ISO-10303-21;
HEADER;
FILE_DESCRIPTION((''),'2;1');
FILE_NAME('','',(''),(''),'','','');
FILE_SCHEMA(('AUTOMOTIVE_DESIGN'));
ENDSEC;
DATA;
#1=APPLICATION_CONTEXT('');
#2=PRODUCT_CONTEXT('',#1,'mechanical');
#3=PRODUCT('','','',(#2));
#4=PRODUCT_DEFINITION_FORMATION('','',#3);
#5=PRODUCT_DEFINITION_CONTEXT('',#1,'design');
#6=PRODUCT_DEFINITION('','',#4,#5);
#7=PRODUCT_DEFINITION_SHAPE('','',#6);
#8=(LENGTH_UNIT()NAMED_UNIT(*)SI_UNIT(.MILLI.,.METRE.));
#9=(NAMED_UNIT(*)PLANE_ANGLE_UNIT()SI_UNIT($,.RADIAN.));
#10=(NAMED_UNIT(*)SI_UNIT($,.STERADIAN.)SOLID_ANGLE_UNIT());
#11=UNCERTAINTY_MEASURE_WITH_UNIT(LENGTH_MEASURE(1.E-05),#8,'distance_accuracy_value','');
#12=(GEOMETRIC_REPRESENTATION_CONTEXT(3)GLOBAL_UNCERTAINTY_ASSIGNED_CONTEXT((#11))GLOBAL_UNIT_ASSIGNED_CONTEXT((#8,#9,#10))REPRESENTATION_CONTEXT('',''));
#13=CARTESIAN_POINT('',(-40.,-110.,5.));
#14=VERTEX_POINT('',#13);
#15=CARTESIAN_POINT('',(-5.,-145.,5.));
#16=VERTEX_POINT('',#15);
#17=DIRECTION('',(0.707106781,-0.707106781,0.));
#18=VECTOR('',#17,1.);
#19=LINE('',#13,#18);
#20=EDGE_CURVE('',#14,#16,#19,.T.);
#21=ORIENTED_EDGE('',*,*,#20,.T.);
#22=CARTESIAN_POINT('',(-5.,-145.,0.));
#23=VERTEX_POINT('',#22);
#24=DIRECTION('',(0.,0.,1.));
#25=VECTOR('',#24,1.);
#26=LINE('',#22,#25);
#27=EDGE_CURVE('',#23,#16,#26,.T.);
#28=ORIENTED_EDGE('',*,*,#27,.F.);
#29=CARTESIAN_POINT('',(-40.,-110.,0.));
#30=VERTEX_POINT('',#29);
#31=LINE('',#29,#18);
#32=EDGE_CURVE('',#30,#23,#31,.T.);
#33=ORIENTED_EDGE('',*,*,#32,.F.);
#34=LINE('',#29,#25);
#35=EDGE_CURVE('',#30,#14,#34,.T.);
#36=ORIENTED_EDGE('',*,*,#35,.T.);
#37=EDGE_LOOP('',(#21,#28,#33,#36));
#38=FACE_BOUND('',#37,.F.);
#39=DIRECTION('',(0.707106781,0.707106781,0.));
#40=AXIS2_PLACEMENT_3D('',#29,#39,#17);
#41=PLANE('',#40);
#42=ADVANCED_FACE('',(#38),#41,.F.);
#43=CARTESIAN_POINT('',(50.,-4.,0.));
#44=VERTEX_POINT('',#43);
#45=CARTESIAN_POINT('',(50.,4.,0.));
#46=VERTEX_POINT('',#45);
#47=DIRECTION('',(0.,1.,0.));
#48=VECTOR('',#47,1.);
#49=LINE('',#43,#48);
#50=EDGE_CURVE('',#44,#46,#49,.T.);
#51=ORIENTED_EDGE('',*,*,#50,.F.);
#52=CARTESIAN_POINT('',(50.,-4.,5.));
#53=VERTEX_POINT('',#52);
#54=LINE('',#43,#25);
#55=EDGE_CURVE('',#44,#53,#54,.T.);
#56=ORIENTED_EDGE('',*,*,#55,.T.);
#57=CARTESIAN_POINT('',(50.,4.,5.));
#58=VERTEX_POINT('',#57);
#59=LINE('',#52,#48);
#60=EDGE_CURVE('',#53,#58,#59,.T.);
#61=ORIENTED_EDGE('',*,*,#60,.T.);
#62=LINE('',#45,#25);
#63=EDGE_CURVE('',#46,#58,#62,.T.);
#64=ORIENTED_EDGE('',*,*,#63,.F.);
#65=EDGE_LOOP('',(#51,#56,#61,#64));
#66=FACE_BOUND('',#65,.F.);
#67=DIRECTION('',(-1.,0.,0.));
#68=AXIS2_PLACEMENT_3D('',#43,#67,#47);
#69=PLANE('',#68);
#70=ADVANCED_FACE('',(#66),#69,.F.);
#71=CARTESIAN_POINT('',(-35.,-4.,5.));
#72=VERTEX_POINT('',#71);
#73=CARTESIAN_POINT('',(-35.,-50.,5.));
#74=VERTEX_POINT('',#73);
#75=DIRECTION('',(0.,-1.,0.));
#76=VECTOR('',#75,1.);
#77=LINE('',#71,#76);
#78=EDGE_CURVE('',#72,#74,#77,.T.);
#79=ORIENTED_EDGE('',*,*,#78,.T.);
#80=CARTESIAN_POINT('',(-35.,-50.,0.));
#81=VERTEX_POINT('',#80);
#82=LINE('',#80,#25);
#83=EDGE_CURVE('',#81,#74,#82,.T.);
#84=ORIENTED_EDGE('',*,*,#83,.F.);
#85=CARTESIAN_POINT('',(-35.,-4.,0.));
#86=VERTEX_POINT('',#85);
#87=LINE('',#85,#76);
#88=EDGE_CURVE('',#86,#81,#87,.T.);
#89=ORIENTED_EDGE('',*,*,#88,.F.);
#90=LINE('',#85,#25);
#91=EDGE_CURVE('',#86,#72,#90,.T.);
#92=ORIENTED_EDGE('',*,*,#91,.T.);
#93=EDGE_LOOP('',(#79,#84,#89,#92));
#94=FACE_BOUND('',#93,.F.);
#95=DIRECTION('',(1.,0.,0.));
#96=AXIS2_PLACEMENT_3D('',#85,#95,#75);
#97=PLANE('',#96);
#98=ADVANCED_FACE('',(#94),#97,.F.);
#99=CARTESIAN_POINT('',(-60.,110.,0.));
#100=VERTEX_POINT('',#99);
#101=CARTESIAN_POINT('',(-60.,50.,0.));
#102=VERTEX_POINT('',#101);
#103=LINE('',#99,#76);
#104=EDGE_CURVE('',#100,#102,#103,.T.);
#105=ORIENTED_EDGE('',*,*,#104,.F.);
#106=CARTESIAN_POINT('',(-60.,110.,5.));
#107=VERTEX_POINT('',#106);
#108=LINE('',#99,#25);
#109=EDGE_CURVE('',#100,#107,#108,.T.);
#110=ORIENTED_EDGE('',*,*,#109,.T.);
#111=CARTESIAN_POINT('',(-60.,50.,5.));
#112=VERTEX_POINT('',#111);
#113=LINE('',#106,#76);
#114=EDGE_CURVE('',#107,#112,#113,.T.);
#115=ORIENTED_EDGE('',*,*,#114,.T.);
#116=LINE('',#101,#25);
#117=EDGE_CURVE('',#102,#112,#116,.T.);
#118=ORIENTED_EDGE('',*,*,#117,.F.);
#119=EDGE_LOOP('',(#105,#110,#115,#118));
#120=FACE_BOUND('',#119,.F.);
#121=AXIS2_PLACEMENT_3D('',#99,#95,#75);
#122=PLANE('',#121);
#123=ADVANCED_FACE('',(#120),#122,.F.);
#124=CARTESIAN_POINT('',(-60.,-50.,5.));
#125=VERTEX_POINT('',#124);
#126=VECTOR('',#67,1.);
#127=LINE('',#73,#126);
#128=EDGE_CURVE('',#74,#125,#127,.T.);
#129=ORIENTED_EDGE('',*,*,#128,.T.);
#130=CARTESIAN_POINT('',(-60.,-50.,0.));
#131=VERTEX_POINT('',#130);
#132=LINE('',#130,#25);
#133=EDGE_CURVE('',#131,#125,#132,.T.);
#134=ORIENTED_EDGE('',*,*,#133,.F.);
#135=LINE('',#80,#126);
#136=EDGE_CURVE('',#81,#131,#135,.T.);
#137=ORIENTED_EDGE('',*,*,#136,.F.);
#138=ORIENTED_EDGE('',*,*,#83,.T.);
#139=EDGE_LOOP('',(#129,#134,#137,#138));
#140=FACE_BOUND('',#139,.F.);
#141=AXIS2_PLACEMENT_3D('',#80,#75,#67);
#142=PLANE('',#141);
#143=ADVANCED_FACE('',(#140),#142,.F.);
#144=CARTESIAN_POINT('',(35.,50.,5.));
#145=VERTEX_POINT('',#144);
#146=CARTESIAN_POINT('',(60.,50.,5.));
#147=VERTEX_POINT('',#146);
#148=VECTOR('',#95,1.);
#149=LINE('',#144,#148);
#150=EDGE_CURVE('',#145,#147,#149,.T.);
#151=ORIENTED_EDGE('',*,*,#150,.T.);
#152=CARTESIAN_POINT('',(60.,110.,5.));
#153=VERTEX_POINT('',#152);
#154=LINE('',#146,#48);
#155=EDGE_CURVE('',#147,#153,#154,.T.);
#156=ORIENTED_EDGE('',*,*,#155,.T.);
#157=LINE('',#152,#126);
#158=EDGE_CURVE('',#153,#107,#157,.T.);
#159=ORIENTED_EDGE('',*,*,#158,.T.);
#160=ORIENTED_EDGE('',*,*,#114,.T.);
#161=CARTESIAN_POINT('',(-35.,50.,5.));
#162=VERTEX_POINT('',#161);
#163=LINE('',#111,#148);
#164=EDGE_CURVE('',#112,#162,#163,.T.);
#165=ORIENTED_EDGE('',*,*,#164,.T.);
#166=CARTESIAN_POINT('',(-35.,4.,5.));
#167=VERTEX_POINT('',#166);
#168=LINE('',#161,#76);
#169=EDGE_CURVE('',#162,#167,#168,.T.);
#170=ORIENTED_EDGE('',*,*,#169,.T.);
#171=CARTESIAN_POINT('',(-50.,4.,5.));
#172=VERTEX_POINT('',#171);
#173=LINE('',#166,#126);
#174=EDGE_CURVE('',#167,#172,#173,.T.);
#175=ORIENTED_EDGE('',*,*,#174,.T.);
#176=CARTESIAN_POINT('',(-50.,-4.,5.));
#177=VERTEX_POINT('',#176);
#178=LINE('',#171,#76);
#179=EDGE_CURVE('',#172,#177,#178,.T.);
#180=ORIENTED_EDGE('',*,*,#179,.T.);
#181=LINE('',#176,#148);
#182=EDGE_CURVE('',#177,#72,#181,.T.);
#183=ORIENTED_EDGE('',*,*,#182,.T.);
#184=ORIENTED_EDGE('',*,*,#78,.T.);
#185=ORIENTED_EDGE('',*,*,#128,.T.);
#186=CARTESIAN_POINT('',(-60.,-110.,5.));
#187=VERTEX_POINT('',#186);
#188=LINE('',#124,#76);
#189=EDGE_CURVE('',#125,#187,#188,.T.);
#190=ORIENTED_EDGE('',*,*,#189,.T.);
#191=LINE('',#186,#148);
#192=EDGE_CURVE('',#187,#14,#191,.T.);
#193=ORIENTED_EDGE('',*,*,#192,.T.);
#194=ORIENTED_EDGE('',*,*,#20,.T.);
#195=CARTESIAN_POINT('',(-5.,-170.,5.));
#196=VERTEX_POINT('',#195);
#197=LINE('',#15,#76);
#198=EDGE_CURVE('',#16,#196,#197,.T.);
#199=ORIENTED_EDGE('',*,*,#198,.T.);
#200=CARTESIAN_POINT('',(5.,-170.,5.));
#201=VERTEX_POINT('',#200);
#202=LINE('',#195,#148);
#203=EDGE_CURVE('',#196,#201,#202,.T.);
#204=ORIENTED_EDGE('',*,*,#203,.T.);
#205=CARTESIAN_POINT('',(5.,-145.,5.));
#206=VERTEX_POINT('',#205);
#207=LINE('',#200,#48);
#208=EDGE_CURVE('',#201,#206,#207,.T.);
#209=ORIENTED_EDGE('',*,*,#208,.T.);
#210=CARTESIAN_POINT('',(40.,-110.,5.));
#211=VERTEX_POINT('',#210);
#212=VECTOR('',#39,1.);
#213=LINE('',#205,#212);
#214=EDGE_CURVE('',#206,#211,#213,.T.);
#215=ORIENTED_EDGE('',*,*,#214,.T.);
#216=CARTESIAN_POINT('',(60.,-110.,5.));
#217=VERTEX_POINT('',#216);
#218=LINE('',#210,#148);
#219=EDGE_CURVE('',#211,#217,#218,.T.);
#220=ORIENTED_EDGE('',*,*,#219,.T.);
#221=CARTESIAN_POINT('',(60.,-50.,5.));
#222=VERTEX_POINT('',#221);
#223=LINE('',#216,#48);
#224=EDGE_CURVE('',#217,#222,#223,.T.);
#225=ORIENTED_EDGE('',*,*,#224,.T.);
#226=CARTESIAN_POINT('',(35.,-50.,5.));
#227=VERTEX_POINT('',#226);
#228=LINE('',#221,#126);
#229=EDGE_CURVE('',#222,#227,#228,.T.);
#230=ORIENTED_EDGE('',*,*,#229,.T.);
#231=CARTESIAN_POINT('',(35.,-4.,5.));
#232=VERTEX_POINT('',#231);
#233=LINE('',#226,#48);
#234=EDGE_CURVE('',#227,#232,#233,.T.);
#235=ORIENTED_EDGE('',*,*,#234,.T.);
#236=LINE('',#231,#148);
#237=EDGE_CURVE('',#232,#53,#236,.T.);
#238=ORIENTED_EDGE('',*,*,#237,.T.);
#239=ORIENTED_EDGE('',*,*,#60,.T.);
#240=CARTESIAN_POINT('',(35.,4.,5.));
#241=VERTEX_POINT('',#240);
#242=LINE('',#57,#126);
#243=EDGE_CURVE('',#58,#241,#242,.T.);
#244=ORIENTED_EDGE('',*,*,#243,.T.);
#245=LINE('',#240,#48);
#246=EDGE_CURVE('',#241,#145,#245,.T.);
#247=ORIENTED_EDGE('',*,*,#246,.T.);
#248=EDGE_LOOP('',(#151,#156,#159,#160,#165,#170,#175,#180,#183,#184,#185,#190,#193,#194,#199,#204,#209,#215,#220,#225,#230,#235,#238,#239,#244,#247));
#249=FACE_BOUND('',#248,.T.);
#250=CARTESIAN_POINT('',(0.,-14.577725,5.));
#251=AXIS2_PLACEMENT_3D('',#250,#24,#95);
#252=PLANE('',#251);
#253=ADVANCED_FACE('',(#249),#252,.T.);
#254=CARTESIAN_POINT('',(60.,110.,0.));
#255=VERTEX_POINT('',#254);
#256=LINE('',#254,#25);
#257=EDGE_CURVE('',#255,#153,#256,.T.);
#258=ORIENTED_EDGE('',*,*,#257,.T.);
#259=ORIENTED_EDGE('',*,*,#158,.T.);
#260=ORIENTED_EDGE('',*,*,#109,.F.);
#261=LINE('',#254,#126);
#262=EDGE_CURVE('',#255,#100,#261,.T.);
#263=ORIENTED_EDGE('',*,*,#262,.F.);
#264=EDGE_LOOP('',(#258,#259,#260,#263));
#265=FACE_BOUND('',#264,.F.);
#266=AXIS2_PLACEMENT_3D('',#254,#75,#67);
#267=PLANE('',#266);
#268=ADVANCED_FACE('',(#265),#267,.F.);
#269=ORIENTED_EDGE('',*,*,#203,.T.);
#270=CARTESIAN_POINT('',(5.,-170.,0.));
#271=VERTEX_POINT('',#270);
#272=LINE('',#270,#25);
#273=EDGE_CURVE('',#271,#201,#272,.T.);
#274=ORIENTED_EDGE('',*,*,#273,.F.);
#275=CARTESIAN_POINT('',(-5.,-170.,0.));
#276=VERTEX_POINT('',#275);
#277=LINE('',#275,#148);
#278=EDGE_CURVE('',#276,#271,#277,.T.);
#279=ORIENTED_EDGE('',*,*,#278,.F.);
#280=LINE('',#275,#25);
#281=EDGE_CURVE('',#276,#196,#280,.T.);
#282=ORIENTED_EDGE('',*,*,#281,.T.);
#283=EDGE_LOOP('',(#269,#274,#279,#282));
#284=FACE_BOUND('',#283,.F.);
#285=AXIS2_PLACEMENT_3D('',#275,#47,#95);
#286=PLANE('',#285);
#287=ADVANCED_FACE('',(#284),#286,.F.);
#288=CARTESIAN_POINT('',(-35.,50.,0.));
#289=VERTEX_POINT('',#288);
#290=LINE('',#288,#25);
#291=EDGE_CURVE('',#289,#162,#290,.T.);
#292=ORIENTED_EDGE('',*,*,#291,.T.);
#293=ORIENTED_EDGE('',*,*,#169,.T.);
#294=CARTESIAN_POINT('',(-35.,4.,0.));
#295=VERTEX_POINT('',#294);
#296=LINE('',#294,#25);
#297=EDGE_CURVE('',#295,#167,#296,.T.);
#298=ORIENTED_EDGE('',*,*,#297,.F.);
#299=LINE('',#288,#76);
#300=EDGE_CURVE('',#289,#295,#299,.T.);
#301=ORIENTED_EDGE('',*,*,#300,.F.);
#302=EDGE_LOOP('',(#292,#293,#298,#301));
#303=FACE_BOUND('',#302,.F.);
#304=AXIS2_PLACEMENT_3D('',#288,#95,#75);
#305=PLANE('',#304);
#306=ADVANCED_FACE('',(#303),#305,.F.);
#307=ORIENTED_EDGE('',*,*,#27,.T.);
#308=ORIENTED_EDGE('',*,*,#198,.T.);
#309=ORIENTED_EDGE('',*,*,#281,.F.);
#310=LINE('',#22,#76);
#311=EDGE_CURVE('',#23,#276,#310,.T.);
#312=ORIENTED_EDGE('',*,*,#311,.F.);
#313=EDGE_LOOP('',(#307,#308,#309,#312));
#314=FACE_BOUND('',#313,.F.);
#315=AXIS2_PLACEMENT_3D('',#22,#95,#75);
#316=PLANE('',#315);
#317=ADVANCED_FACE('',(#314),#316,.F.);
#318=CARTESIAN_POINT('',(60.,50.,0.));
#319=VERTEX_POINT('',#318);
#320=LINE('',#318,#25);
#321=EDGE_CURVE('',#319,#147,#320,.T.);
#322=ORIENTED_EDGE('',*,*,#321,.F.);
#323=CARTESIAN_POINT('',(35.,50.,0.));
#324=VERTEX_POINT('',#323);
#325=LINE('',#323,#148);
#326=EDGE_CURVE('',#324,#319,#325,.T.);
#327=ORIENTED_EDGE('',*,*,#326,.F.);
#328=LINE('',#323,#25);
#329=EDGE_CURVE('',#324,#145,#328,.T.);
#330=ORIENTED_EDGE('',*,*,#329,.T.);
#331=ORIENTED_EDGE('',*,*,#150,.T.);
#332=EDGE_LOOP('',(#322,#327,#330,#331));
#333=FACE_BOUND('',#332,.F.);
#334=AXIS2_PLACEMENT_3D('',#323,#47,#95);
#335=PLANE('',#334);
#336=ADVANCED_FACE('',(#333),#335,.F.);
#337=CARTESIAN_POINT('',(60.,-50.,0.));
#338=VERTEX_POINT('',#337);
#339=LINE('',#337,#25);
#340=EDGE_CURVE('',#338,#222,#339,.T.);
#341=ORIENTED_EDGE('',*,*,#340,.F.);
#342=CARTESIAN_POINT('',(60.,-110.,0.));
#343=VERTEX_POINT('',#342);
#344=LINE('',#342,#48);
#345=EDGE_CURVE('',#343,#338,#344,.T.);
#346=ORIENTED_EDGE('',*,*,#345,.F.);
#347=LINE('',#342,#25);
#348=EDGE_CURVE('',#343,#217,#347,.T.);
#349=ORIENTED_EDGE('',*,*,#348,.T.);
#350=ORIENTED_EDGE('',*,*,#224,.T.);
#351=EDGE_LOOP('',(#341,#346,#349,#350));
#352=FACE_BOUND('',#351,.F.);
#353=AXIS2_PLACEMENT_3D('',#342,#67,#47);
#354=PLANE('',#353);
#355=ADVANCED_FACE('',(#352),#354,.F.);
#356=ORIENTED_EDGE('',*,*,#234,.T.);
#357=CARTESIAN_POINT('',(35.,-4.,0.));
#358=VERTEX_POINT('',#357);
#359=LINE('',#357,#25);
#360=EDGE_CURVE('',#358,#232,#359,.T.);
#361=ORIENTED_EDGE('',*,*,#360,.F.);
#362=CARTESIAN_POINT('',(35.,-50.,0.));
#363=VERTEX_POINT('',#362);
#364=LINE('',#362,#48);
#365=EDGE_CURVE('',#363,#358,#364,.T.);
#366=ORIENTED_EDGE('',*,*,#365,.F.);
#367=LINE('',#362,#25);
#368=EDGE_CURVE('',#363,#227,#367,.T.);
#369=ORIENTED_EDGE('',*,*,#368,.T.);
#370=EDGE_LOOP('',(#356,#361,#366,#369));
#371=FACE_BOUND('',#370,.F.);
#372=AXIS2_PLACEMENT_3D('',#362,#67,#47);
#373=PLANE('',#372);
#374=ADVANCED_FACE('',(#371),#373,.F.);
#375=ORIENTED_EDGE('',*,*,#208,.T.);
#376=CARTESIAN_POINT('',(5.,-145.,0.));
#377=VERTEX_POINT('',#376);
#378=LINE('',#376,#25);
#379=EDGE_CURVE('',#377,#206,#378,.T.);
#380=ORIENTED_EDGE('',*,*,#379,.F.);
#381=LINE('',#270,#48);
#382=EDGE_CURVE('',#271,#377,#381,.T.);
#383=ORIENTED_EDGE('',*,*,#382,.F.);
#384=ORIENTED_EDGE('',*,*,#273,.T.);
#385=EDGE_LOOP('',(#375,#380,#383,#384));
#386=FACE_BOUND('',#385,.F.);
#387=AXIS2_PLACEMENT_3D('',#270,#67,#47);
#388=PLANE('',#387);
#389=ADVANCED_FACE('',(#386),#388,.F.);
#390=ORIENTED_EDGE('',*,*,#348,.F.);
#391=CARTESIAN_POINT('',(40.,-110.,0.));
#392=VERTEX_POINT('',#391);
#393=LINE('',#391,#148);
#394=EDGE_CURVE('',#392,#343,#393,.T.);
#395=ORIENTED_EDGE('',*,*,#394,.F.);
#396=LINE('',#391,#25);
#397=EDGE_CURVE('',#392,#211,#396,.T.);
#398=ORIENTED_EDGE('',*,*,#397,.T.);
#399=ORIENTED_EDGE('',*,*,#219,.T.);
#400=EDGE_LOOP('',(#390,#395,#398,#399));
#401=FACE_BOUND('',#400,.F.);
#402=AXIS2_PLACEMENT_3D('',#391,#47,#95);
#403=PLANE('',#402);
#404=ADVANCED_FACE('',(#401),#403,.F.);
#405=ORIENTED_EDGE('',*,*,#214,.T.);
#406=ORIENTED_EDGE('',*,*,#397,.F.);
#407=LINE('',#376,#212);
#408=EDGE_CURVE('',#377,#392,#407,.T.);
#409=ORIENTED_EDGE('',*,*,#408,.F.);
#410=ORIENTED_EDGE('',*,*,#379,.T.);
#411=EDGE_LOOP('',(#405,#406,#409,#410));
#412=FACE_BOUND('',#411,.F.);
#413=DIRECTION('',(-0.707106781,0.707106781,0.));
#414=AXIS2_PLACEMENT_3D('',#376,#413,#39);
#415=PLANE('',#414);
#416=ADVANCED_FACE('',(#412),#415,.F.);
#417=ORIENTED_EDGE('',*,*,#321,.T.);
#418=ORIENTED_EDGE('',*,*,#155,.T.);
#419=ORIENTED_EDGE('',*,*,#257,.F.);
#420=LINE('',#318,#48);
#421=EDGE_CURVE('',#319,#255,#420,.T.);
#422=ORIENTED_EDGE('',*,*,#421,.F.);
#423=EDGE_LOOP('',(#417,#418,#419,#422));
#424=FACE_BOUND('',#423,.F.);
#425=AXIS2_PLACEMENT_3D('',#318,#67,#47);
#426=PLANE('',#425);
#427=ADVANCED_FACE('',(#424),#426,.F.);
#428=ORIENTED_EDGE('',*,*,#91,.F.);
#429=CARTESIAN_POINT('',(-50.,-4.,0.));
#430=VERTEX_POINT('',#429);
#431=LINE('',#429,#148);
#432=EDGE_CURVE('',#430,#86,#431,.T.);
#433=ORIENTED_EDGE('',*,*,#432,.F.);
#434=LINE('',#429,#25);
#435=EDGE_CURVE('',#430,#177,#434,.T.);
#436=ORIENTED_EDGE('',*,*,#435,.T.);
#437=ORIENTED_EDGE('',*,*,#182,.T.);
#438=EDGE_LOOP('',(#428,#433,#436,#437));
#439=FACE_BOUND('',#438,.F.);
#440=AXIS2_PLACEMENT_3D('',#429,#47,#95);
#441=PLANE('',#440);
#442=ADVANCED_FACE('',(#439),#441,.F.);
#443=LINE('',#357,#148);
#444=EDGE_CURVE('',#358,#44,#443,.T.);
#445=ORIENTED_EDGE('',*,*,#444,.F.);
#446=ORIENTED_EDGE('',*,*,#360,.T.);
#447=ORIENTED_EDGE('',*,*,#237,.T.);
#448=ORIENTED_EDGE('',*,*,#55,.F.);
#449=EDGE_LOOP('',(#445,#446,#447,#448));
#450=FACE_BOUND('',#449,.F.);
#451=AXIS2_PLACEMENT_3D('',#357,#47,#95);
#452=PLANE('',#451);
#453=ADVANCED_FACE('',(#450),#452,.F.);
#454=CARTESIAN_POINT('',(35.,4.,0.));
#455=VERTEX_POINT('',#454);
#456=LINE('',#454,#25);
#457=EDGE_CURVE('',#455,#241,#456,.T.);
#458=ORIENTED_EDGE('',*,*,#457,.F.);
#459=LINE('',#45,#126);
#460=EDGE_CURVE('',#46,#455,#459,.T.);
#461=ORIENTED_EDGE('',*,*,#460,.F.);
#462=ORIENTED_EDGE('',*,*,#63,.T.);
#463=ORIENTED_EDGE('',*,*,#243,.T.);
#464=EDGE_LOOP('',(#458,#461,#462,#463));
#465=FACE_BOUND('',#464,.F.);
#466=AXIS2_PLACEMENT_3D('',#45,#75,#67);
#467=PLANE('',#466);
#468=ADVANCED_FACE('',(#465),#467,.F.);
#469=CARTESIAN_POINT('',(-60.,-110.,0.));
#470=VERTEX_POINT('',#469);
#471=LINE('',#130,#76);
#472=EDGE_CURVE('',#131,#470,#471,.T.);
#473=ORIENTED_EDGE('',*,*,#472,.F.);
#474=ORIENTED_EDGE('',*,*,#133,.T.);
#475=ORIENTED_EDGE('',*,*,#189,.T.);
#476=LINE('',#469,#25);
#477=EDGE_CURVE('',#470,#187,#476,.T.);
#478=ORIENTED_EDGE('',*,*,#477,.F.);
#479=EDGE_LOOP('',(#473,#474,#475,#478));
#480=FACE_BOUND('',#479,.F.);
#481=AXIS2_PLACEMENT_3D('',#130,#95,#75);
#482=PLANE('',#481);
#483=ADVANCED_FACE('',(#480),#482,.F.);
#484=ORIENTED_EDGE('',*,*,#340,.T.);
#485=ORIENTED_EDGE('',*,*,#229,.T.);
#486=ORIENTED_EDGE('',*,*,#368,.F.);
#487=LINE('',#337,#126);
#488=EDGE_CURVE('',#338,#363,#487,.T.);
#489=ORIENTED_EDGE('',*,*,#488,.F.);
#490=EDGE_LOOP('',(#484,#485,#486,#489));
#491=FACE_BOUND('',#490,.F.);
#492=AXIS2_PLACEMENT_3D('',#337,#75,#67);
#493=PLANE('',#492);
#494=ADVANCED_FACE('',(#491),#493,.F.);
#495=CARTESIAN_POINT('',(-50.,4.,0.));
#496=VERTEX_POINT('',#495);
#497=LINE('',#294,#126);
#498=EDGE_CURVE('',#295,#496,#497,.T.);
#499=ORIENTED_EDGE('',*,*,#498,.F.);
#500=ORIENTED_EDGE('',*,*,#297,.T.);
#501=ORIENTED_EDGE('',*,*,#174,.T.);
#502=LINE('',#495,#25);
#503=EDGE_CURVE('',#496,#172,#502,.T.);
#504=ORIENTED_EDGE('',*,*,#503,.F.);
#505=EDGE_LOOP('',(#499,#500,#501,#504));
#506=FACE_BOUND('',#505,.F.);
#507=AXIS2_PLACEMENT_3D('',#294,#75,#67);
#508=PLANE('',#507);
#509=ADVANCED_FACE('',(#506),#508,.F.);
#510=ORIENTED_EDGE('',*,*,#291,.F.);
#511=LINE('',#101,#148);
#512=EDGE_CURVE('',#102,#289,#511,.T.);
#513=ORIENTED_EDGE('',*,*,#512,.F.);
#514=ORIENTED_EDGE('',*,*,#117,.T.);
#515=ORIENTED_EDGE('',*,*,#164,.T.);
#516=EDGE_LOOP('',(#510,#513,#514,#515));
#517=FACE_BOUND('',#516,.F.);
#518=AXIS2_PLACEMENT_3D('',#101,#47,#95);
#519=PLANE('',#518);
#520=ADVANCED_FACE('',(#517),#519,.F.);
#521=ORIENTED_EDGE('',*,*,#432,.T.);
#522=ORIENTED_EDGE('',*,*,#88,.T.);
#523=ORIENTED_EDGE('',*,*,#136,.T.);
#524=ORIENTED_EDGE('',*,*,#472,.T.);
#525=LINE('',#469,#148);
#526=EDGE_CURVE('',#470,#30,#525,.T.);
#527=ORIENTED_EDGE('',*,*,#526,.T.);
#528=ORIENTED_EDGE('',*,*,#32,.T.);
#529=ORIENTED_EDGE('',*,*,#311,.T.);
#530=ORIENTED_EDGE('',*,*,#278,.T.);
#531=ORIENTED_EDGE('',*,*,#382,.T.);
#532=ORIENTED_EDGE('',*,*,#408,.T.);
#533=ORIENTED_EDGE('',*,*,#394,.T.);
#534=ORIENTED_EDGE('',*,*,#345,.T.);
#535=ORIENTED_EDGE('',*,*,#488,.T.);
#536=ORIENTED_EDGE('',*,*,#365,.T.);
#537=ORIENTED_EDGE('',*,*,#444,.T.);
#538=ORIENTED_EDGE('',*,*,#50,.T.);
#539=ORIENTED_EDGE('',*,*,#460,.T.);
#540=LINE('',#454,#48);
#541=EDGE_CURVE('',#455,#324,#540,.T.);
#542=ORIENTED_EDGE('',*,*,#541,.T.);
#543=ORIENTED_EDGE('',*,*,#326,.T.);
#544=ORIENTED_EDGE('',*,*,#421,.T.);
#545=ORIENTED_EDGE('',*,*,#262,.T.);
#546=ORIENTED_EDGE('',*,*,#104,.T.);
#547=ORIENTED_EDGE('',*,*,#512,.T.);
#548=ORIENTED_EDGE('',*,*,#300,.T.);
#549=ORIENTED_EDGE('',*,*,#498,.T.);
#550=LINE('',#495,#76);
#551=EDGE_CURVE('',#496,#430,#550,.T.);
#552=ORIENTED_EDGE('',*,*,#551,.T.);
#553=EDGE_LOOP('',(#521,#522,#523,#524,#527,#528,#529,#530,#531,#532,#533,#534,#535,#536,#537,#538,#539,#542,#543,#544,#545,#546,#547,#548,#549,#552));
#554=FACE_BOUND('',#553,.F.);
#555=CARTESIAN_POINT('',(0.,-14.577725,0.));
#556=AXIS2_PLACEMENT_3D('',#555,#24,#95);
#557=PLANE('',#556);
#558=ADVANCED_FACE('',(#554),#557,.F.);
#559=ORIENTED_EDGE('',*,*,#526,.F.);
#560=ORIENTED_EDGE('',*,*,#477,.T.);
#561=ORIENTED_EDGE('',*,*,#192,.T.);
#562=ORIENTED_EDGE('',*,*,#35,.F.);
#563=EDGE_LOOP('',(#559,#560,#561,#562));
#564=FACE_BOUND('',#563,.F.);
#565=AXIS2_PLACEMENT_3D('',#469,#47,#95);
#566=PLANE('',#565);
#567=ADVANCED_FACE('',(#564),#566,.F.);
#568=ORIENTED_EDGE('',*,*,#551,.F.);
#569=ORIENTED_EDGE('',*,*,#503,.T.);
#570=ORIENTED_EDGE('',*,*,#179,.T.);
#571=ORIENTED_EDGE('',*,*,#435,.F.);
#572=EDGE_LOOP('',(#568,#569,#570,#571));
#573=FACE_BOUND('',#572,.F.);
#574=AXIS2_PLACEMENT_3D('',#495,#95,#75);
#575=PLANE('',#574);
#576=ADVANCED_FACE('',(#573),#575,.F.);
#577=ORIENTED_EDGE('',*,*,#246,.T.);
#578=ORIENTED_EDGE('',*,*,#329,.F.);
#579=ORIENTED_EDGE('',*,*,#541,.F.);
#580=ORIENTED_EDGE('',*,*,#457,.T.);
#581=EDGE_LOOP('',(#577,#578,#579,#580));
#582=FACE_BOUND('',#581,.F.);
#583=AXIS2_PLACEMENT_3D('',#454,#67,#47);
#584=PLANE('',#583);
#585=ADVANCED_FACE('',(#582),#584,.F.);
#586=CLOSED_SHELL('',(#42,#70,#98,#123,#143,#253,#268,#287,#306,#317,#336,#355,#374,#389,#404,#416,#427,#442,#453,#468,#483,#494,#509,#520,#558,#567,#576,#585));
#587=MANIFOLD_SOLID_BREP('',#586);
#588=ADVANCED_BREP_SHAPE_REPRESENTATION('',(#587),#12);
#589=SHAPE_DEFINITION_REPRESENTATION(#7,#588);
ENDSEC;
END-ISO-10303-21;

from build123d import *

# Parameters (mm, degrees)
F1_DEPTH = 5


with BuildPart() as f1:
    # F0 (on Top) → F1 (new body)
    with BuildSketch(Plane.XY):
        Polygon((40, -110), (60, -110), (60, -50), (35, -50), (35, -4), (50, -4), (50, 4), (35, 4), (35, 50), (60, 50), (60, 110), (-60, 110), (-60, 50), (-35, 50), (-35, 4), (-50, 4), (-50, -4), (-35, -4), (-35, -50), (-60, -50), (-60, -110), (-40, -110), (-5, -145), (-5, -170), (5, -170), (5, -145), align=None)
    extrude(amount=F1_DEPTH)


solid = f1.part
